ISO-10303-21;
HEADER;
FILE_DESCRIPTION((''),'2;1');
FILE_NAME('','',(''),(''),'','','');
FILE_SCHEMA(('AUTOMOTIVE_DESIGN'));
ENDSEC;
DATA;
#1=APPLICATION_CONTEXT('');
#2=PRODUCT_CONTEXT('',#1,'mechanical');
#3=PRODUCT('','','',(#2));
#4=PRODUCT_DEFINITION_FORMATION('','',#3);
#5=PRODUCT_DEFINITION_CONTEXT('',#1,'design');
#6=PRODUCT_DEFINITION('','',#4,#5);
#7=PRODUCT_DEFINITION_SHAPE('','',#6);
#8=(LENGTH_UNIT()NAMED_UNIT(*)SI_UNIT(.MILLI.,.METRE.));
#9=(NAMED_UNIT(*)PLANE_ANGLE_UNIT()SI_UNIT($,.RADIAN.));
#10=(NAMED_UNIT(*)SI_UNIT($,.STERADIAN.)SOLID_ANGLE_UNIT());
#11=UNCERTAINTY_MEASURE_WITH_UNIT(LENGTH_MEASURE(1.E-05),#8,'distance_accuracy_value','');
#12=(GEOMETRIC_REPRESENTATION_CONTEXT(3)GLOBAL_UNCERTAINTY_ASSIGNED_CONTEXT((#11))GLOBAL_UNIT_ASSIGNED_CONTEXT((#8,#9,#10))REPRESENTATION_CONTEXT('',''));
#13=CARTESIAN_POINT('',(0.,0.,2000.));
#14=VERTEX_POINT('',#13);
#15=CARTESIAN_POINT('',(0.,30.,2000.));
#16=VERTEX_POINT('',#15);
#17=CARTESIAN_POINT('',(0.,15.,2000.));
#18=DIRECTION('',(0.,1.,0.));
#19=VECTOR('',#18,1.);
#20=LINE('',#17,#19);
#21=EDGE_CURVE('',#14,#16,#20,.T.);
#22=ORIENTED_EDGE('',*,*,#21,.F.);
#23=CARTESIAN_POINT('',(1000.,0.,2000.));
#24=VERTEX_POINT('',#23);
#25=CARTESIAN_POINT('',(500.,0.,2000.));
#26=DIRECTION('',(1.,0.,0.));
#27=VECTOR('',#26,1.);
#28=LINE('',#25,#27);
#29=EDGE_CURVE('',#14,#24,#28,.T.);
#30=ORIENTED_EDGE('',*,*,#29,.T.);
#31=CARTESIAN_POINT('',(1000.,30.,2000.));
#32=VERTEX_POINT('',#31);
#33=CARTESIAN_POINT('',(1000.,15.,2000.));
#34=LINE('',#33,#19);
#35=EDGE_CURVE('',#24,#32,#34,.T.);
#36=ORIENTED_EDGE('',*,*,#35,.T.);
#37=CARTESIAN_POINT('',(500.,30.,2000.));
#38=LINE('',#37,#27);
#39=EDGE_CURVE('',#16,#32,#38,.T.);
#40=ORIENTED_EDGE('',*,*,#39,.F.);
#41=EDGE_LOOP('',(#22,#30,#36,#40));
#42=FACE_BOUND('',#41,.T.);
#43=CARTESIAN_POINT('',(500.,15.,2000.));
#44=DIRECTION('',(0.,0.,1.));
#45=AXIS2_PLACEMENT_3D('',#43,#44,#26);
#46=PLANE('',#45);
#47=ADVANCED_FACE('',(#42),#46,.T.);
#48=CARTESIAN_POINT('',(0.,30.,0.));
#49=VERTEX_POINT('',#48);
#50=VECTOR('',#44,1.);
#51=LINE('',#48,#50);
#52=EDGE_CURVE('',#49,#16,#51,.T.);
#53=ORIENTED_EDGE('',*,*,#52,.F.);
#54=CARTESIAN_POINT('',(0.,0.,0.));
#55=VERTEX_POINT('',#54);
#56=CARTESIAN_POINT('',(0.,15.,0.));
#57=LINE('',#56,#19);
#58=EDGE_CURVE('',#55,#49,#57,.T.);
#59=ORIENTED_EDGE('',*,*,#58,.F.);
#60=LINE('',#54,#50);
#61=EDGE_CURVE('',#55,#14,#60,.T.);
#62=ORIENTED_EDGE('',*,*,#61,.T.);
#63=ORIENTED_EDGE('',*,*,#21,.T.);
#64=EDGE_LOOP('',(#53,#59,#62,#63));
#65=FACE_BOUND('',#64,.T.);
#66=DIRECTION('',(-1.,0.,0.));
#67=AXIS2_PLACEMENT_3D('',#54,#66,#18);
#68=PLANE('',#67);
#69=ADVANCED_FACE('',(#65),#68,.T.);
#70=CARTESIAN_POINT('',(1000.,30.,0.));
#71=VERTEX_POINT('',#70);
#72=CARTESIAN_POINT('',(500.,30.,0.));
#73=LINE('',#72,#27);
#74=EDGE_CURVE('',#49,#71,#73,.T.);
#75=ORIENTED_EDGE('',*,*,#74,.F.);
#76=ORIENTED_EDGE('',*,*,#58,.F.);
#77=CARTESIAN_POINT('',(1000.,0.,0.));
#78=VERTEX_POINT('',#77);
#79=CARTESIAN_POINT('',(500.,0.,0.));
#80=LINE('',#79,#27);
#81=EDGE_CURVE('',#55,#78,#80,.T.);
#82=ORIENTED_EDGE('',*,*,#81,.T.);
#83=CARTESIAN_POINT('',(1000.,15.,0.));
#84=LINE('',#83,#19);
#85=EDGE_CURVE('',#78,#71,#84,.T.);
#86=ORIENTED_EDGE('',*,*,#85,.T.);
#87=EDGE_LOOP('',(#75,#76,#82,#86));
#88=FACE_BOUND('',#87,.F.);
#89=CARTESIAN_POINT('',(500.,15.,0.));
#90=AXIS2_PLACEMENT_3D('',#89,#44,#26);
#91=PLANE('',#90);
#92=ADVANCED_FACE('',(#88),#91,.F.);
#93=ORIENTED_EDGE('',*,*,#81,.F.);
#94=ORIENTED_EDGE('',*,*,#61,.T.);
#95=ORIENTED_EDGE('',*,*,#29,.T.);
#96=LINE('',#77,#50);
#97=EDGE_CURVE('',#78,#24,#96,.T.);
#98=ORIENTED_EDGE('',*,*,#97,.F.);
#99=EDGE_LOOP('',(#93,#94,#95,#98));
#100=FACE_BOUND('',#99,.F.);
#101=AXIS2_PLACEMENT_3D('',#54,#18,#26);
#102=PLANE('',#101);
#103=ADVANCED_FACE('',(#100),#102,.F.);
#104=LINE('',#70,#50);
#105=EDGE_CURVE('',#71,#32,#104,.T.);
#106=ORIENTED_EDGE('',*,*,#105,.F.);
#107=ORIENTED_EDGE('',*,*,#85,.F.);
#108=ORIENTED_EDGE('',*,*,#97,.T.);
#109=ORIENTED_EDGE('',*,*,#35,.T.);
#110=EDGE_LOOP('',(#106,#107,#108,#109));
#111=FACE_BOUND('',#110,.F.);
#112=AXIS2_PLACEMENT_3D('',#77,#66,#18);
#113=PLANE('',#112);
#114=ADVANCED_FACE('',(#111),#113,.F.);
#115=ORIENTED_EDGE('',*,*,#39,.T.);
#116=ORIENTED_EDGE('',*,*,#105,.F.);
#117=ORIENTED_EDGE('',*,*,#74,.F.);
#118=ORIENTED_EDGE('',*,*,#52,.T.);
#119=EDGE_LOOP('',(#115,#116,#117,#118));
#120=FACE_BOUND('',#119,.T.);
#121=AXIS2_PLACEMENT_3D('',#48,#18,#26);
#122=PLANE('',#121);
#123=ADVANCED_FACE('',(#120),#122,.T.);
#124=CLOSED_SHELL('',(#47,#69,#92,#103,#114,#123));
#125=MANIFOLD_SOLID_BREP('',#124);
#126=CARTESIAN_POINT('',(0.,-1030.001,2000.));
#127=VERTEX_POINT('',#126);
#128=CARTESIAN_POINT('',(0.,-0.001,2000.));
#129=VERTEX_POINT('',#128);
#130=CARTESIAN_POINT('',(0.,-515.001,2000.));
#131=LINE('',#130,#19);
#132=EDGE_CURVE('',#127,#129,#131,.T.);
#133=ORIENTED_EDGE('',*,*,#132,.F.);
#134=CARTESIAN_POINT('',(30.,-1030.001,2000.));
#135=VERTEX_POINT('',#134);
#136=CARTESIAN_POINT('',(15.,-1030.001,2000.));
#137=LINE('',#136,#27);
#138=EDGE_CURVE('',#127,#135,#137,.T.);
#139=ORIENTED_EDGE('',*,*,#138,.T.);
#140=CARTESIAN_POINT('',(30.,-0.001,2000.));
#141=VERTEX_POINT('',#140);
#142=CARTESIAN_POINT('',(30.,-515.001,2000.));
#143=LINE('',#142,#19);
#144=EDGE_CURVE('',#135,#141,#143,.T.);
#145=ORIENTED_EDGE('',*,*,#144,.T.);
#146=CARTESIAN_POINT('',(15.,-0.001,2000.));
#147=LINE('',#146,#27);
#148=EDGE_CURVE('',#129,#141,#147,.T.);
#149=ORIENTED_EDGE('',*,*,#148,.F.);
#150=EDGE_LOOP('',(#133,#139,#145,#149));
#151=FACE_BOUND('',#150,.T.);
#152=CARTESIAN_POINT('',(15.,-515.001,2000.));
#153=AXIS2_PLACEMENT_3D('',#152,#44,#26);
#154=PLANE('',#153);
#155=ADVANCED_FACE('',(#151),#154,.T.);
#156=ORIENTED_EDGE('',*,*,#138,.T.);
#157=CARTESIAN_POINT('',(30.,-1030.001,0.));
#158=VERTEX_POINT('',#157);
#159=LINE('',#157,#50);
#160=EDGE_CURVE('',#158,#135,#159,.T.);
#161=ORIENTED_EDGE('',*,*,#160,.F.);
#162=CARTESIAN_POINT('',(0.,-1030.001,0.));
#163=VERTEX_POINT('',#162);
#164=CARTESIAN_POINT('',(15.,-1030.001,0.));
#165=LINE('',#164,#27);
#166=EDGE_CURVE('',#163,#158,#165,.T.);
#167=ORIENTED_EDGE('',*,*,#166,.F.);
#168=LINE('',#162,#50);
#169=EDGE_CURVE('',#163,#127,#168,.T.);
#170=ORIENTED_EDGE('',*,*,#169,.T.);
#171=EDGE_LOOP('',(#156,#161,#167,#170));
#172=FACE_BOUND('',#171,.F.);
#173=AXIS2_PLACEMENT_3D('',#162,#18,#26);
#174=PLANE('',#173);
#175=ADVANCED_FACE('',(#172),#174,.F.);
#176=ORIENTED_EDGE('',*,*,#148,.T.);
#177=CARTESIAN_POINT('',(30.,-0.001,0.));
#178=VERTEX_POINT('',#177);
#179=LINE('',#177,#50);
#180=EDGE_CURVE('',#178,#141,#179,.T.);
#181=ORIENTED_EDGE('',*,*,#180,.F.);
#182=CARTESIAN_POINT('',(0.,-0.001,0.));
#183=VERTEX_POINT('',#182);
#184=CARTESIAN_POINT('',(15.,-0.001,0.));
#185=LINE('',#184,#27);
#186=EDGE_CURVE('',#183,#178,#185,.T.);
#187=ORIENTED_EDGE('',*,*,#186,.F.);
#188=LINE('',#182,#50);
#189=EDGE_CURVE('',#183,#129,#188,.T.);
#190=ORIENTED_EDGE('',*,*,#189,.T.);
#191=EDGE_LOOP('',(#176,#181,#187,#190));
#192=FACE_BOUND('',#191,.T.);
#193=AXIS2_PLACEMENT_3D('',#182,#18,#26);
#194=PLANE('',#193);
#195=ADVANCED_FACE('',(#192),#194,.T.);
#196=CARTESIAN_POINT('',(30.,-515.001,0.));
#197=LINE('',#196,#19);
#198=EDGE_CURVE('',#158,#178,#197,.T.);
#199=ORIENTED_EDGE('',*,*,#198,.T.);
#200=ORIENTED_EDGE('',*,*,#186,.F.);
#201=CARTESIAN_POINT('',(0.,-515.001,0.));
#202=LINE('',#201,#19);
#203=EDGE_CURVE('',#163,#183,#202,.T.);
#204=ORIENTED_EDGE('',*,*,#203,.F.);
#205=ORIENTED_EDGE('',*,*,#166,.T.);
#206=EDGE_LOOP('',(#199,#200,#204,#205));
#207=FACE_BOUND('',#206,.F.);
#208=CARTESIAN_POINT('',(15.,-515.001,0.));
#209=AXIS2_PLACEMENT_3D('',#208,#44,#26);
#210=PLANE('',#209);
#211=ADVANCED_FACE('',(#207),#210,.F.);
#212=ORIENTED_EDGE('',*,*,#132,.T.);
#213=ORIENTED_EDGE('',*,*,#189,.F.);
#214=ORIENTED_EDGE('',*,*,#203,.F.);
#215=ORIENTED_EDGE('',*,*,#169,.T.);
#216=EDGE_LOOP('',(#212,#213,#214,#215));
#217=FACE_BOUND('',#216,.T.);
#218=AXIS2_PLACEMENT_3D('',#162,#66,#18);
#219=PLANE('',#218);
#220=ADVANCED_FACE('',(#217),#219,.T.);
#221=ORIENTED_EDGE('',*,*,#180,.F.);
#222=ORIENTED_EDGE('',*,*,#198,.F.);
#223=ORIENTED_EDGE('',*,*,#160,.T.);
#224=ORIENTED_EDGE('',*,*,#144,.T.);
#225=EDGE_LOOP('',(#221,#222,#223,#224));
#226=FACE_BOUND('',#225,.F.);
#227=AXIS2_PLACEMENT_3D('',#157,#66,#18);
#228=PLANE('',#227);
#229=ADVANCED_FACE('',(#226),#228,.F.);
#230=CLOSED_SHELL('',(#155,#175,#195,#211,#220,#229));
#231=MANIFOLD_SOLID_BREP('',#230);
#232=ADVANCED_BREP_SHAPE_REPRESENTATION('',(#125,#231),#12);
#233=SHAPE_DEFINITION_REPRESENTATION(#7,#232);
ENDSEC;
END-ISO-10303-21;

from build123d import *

# Parameters (mm, degrees)
F0_W     = 1000
F0_H     = 30
F0_W_2   = 30
F0_H_2   = 1030
F1_DEPTH = 2000


with BuildPart() as f1:
    # F0 (on Top) → F1 (new body)
    with BuildSketch(Plane.XY):
        with Locations((500, 15)):
            Rectangle(F0_W, F0_H)
        with Locations((15, -515.001)):
            Rectangle(F0_W_2, F0_H_2)
    extrude(amount=F1_DEPTH)


solid = f1.part
